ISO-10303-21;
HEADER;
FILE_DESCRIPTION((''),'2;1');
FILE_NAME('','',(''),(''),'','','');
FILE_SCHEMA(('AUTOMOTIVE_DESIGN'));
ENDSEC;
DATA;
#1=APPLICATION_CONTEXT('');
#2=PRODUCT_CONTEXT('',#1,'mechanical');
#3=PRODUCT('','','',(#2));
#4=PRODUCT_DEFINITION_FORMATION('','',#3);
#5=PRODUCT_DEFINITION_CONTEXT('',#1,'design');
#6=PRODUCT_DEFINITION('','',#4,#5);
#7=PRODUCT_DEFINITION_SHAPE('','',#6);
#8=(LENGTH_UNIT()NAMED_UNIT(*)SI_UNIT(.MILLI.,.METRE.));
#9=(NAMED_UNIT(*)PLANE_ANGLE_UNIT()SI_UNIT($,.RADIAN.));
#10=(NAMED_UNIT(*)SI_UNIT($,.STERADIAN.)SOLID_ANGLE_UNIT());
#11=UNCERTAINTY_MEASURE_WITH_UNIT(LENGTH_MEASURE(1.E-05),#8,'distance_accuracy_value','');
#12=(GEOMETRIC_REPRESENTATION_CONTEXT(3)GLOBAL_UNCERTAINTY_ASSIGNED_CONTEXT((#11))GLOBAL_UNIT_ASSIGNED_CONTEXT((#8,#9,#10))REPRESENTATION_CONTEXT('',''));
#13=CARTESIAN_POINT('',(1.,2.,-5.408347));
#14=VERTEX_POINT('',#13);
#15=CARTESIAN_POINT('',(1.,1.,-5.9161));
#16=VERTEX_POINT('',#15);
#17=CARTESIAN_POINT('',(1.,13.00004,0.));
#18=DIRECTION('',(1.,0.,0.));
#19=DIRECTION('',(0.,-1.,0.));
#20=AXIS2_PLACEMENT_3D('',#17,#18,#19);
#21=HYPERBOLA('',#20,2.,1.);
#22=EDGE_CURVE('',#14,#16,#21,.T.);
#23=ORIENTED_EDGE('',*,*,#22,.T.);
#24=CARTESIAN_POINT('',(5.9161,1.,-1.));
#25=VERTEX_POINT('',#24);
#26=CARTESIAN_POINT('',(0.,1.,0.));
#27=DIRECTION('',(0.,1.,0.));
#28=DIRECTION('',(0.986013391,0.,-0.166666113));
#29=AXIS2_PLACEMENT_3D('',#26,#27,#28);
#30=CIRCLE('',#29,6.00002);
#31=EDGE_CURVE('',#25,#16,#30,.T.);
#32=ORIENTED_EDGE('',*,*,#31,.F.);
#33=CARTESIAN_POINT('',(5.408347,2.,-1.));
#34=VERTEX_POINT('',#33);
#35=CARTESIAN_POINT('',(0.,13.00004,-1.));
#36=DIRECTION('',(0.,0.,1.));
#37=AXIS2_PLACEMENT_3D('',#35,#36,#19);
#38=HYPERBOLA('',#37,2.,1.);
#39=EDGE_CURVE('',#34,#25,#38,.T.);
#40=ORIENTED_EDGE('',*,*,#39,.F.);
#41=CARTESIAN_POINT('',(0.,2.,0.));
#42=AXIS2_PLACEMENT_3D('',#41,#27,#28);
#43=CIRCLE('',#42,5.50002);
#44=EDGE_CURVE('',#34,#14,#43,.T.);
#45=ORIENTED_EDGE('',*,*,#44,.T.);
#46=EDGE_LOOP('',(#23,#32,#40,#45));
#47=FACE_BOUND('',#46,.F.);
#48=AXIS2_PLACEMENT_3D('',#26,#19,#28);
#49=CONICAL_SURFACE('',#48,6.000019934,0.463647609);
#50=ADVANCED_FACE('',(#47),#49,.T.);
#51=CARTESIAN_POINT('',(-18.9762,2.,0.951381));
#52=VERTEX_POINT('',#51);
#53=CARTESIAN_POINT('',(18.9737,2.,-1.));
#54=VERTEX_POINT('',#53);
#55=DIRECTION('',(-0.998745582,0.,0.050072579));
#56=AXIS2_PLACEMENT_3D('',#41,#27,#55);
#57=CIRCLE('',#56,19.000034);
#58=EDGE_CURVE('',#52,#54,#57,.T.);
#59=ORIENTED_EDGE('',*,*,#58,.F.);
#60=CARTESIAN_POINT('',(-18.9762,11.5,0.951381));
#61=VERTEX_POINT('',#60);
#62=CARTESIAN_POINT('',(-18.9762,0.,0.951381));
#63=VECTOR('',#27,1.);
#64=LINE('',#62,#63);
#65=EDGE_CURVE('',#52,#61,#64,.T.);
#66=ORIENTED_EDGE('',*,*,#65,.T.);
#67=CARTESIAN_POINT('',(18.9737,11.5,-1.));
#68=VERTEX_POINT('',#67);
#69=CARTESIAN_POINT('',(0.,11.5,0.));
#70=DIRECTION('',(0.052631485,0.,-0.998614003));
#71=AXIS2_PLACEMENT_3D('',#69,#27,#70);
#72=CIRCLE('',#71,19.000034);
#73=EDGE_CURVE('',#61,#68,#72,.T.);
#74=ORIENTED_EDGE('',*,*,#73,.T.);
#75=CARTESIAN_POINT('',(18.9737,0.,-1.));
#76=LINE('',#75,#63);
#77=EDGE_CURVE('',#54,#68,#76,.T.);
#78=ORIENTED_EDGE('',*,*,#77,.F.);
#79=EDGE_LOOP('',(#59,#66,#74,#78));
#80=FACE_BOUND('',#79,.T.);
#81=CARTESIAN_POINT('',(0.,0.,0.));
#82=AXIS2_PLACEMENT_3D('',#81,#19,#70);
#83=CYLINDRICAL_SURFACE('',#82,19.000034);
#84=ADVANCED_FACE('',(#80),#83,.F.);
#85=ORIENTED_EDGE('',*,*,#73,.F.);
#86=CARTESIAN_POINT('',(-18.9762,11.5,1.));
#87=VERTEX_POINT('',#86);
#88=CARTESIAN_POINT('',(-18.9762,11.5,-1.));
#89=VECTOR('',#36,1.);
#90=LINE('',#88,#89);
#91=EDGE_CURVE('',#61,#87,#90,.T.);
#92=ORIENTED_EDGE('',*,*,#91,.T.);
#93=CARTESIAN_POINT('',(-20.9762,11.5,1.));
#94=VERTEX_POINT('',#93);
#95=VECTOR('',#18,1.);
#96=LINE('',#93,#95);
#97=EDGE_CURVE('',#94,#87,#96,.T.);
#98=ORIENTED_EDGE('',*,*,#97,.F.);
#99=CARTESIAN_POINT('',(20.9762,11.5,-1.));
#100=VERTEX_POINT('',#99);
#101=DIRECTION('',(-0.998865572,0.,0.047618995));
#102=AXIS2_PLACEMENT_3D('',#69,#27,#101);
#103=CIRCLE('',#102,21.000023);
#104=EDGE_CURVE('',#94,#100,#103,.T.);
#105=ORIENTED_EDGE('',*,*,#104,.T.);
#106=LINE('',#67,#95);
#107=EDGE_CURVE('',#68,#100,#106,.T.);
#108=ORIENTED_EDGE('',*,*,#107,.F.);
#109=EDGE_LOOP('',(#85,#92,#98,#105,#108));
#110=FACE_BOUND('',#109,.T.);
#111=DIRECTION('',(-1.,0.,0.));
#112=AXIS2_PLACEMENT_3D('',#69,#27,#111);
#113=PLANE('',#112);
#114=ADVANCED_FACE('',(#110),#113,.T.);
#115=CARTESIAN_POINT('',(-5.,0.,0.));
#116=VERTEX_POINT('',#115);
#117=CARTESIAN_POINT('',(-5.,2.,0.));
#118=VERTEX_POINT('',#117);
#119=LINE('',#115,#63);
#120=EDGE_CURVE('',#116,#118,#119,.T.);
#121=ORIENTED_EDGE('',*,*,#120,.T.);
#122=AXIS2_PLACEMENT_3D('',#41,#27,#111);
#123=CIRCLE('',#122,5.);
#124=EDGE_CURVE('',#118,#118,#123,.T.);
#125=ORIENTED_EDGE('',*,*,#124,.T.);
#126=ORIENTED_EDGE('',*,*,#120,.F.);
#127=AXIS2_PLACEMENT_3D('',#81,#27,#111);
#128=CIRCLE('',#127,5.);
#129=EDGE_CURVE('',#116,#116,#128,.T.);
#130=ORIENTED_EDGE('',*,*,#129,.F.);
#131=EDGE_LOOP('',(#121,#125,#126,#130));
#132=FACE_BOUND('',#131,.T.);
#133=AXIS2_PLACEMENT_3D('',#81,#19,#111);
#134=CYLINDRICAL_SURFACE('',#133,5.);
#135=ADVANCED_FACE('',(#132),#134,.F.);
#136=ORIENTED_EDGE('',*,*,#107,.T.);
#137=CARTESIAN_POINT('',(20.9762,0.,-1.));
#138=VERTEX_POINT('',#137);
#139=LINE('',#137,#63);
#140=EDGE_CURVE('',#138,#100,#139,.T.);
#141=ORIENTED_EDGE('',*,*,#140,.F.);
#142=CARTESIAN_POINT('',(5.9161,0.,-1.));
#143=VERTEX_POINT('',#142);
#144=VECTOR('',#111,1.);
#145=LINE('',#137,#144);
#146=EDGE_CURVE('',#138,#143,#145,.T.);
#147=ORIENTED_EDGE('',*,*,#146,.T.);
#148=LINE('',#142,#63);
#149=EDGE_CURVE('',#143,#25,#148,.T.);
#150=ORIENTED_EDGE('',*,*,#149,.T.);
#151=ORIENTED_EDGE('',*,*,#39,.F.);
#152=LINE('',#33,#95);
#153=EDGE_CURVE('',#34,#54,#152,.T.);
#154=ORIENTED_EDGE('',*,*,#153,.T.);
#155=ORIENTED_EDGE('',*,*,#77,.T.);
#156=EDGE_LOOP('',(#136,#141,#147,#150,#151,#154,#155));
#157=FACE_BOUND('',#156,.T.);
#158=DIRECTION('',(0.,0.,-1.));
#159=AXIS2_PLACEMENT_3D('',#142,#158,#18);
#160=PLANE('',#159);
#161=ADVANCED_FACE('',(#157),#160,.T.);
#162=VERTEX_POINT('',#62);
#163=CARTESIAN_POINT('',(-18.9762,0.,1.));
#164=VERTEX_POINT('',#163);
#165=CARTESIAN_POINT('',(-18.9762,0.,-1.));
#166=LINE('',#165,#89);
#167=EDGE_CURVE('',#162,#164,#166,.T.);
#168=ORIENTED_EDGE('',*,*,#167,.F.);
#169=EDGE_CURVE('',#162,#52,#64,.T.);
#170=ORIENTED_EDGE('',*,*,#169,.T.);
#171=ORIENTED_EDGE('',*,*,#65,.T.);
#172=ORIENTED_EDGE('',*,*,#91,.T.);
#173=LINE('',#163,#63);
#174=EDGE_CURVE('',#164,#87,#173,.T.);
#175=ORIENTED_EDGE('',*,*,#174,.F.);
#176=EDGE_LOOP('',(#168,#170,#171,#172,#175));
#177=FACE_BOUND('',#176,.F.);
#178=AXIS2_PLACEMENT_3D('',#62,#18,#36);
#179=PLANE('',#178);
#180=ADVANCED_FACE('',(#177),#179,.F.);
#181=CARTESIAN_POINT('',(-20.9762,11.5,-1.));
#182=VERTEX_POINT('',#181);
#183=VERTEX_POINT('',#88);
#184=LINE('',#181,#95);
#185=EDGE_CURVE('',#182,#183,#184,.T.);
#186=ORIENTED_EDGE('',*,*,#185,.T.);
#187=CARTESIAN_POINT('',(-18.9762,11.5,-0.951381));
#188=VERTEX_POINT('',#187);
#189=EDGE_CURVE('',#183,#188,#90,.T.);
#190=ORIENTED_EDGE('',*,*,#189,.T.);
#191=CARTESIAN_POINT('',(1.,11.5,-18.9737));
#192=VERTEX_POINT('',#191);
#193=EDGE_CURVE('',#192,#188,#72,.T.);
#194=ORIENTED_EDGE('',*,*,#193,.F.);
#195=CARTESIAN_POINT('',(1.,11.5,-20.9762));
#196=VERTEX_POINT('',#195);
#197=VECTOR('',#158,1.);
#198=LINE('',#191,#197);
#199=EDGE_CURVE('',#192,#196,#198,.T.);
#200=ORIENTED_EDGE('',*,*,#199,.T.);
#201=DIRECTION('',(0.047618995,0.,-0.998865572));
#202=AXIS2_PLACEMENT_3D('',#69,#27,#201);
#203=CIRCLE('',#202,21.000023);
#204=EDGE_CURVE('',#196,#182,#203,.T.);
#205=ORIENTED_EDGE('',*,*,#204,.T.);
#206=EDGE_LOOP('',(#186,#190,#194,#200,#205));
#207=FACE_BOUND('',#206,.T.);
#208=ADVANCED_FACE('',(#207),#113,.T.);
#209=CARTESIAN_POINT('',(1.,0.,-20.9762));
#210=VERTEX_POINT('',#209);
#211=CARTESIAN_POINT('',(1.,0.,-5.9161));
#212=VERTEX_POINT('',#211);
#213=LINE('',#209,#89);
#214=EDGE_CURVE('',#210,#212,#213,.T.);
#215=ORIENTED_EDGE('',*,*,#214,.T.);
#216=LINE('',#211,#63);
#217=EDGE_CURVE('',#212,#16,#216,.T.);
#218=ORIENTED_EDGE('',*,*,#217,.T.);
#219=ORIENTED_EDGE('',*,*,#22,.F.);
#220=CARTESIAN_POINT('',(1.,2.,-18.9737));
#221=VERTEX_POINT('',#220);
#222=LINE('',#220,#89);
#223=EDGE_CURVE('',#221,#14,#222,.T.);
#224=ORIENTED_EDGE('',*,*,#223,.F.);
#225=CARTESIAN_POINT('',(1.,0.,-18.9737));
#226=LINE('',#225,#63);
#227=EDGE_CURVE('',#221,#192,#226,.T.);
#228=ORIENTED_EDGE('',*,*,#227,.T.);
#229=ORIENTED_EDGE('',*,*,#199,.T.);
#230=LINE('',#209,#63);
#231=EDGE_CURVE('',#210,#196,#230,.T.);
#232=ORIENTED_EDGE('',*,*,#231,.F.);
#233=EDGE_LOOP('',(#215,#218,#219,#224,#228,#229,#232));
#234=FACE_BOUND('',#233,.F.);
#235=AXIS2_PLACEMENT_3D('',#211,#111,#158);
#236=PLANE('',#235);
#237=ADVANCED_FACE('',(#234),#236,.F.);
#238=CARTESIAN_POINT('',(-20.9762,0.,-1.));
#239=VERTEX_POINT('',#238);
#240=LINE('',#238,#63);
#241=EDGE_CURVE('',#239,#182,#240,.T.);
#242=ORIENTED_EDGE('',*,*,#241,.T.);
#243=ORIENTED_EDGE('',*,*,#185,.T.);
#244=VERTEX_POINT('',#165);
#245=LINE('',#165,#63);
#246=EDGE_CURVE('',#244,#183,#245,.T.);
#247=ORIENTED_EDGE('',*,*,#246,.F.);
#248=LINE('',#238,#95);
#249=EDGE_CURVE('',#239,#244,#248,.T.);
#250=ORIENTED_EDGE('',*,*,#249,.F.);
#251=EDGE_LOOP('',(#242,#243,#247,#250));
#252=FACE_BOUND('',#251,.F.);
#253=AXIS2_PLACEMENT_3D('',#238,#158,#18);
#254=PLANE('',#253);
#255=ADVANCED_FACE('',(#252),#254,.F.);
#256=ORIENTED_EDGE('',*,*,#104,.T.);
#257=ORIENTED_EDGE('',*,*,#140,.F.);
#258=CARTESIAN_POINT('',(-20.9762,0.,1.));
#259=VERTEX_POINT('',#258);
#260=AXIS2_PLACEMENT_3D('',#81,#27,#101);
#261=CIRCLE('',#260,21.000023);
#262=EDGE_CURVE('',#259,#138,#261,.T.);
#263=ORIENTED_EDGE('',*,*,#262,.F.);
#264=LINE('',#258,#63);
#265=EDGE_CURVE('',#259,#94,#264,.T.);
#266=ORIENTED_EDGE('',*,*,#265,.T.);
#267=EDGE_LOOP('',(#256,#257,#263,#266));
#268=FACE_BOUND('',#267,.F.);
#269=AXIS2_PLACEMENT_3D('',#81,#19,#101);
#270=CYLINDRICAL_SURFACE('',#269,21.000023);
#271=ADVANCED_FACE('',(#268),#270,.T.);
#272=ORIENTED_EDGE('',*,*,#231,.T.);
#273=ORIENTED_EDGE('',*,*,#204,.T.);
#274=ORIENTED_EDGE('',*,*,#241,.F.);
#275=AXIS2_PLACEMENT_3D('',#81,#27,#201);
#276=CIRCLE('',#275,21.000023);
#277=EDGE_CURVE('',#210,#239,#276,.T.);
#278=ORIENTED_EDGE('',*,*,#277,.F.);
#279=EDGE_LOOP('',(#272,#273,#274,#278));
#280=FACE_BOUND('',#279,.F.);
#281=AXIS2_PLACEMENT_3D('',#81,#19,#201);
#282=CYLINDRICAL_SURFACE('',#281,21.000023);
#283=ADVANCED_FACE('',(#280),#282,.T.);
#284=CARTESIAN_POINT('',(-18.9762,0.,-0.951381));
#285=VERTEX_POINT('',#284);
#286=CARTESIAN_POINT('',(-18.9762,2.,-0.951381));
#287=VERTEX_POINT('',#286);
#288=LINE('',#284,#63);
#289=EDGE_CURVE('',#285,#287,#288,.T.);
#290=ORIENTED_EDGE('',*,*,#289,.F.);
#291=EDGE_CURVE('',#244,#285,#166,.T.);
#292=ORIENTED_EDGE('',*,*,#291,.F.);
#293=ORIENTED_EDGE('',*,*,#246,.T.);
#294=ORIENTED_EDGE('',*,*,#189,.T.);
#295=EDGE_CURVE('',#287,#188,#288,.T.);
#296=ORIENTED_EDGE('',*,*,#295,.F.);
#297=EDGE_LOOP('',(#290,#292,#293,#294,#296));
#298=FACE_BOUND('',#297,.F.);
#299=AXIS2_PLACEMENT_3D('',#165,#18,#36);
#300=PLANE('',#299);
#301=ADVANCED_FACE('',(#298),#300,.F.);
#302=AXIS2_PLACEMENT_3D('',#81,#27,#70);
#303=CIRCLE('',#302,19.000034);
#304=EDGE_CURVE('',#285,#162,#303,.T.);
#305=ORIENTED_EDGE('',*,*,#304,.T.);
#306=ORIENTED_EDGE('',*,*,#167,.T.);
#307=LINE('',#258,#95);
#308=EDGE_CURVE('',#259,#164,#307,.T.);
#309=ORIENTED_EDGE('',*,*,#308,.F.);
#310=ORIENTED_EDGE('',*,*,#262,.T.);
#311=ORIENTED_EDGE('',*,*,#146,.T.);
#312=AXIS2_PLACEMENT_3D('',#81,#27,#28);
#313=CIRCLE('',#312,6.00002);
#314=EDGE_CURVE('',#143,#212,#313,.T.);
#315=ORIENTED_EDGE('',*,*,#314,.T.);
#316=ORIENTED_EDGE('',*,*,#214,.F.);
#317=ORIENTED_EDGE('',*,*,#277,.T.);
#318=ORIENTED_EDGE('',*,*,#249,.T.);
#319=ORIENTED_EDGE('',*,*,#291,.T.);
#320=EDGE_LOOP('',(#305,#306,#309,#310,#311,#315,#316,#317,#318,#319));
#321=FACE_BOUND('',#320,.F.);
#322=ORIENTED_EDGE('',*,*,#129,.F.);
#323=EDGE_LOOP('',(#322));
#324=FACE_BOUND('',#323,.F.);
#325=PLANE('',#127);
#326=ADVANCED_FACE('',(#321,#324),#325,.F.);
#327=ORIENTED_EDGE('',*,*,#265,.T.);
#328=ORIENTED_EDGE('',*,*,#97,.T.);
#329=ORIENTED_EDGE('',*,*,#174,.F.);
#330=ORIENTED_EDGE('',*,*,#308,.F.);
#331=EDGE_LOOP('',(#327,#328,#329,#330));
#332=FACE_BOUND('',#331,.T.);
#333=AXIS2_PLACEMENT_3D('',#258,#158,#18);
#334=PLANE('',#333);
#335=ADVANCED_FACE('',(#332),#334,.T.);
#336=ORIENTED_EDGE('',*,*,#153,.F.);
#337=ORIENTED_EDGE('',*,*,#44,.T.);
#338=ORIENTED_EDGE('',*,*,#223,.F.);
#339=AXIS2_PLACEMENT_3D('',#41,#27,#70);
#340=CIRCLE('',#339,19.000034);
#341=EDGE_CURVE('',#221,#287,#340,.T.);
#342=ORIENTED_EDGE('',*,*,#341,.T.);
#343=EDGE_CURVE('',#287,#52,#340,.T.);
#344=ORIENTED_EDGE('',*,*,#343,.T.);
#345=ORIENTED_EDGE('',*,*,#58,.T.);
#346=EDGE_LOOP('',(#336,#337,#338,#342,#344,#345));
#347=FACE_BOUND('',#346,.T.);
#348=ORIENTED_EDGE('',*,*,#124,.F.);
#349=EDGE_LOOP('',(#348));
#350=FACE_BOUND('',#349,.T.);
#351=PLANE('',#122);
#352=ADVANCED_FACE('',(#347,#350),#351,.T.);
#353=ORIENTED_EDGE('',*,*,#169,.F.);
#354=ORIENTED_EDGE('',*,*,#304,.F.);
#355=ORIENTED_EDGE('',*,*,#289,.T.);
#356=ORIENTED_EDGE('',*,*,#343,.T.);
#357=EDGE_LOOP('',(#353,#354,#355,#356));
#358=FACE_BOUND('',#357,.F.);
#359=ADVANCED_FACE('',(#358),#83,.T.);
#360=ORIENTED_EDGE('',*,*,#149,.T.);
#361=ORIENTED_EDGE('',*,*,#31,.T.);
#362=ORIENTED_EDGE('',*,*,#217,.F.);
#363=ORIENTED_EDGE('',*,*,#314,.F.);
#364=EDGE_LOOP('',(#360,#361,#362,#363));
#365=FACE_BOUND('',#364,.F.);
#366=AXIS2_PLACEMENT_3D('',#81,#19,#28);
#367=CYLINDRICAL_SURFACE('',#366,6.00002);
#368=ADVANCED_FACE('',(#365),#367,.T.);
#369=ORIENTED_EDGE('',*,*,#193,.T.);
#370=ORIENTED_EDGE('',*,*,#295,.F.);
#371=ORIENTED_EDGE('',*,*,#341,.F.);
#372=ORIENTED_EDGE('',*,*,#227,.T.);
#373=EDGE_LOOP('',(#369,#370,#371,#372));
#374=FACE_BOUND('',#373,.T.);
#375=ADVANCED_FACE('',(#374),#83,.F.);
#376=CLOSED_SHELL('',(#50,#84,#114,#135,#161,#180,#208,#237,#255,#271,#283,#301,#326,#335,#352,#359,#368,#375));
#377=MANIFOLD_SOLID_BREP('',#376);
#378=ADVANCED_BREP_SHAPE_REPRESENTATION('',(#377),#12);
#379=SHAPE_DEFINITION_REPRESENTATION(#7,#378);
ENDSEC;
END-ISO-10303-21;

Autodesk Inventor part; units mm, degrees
ref_plane "YZ Plane" through (0, 0, 0) normal (1, 0, 0) x (0, 1, 0)
ref_plane "XZ Plane" through (0, 0, 0) normal (0, 1, 0) x (-1, 0, 0)
ref_plane "XY Plane" through (0, 0, 0) normal (0, 0, 1) x (1, 0, 0)
sketch "Sketch9" plane through (0, 0, 0) normal (0, 1, 0) x (-1, 0, 0)
  line L0 (21, 0) -> (-21, 0) construction
  line L1 (0, 21) -> (0, -21) construction
  line L2 (21, -1) -> (20.9762, -1)
  line L3 (21, 1) -> (20.9762, 1)
  line L4 (-20.9762, 1) -> (-21, 1)
  line L5 (1, 21) -> (1, 20.9762)
  line L6 (1, -20.9762) -> (1, -21)
  line L7 (-1, 21) -> (-1, 20.9762)
  line L8 (-1, -5.9161) -> (-1, -21)
  line L9 (-5.9161, -1) -> (-18.9762, -1)
  circle A0 centre (0, 0) radius 5
  arc A1 (-5.9161, -1) -> (-1, -5.9161) centre (0, 0) ccw
  line L10 (-20.9762, -1) -> (-18.9762, -1)
  line L11 (1, -21) -> (1, -3.873) construction
  line L12 (-3.873, 1) -> (-18.9762, 1) construction
  line L13 (-18.9762, 1) -> (-20.9762, 1) construction
  line L14 (-3.873, 1) -> (20.9762, 1) construction
  line L15 (-5.9161, -1) -> (20.9762, -1) construction
  line L16 (1, -3.873) -> (1, 20.9762) construction
  line L17 (-1, -5.9161) -> (-1, 20.9762) construction
  line L18 (0, 21) -> (0, 19) construction
  line L19 (0, 19) -> (1, 19) construction
  arc A2 (-1, -20.9762) -> (0, 21) centre (0, 0) ccw construction
  arc A3 (20.9762, 1) -> (-20.9762, -1) centre (0, 0) ccw construction
  arc A4 (-1, -18.9737) -> (-18.9737, -1) centre (0, 0) ccw
  line L20 (-1, 19) -> (1, 19)
  point P0 (-4.899, -1)
  point P1 (-1, -4.899)
  dimension "d35" = 10
  dimension "d50" = 2
  dimension "d53" = 38
extrude "Extrusion5" add sketch "Sketch9" along normal blind 2
chamfer "Chamfer1" distance 0.5 distance2 1 1 edges at (4.2426, 2, -4.2426) measured on face at (13.5988, 2, 4.219)
sketch "Sketch12" plane through (0, 0, 0) normal (0, 1, 0) x (-1, 0, 0)
  circle A0 centre (0, 0) radius 5 projected
  arc A1 (-1, -18.9737) -> (-18.9737, -1) centre (0, 0) ccw
  line L0 (-18.9737, -1) -> (-5.4083, -1) projected
  line L1 (-18.9737, -1) -> (-20.9762, -1)
  line L2 (-1, -5.4083) -> (-1, -18.9737) projected
  line L3 (-1, -18.9737) -> (-1, -20.9762)
  line L4 (-20.9762, -1) -> (20.9762, -1) construction
  line L5 (-20.9762, 1) -> (20.9762, 1) construction
  line L6 (20.9762, 1) -> (18.9762, 1)
  line L7 (20.9762, -1) -> (18.9762, -1)
  line L8 (18.9762, -1) -> (18.9762, 1)
  arc A2 (-1, -20.9762) -> (20.9762, -1) centre (0, 0) ccw
  arc A3 (20.9762, 1) -> (-20.9762, -1) centre (0, 0) ccw
  point P0 (18.9762, 0.9512)
  point P1 (18.9762, -0.9512)
  dimension "d60" = 19
  dimension "d63" = 2
  dimension "d64" = 2
  dimension "d65" = 2
extrude "Extrusion8" add sketch "Sketch12" along normal blind 11.5 contours A1 L1 A3 L6 L8 | A1 L8 L7 A2 L3
properties part number "base layer 3"
